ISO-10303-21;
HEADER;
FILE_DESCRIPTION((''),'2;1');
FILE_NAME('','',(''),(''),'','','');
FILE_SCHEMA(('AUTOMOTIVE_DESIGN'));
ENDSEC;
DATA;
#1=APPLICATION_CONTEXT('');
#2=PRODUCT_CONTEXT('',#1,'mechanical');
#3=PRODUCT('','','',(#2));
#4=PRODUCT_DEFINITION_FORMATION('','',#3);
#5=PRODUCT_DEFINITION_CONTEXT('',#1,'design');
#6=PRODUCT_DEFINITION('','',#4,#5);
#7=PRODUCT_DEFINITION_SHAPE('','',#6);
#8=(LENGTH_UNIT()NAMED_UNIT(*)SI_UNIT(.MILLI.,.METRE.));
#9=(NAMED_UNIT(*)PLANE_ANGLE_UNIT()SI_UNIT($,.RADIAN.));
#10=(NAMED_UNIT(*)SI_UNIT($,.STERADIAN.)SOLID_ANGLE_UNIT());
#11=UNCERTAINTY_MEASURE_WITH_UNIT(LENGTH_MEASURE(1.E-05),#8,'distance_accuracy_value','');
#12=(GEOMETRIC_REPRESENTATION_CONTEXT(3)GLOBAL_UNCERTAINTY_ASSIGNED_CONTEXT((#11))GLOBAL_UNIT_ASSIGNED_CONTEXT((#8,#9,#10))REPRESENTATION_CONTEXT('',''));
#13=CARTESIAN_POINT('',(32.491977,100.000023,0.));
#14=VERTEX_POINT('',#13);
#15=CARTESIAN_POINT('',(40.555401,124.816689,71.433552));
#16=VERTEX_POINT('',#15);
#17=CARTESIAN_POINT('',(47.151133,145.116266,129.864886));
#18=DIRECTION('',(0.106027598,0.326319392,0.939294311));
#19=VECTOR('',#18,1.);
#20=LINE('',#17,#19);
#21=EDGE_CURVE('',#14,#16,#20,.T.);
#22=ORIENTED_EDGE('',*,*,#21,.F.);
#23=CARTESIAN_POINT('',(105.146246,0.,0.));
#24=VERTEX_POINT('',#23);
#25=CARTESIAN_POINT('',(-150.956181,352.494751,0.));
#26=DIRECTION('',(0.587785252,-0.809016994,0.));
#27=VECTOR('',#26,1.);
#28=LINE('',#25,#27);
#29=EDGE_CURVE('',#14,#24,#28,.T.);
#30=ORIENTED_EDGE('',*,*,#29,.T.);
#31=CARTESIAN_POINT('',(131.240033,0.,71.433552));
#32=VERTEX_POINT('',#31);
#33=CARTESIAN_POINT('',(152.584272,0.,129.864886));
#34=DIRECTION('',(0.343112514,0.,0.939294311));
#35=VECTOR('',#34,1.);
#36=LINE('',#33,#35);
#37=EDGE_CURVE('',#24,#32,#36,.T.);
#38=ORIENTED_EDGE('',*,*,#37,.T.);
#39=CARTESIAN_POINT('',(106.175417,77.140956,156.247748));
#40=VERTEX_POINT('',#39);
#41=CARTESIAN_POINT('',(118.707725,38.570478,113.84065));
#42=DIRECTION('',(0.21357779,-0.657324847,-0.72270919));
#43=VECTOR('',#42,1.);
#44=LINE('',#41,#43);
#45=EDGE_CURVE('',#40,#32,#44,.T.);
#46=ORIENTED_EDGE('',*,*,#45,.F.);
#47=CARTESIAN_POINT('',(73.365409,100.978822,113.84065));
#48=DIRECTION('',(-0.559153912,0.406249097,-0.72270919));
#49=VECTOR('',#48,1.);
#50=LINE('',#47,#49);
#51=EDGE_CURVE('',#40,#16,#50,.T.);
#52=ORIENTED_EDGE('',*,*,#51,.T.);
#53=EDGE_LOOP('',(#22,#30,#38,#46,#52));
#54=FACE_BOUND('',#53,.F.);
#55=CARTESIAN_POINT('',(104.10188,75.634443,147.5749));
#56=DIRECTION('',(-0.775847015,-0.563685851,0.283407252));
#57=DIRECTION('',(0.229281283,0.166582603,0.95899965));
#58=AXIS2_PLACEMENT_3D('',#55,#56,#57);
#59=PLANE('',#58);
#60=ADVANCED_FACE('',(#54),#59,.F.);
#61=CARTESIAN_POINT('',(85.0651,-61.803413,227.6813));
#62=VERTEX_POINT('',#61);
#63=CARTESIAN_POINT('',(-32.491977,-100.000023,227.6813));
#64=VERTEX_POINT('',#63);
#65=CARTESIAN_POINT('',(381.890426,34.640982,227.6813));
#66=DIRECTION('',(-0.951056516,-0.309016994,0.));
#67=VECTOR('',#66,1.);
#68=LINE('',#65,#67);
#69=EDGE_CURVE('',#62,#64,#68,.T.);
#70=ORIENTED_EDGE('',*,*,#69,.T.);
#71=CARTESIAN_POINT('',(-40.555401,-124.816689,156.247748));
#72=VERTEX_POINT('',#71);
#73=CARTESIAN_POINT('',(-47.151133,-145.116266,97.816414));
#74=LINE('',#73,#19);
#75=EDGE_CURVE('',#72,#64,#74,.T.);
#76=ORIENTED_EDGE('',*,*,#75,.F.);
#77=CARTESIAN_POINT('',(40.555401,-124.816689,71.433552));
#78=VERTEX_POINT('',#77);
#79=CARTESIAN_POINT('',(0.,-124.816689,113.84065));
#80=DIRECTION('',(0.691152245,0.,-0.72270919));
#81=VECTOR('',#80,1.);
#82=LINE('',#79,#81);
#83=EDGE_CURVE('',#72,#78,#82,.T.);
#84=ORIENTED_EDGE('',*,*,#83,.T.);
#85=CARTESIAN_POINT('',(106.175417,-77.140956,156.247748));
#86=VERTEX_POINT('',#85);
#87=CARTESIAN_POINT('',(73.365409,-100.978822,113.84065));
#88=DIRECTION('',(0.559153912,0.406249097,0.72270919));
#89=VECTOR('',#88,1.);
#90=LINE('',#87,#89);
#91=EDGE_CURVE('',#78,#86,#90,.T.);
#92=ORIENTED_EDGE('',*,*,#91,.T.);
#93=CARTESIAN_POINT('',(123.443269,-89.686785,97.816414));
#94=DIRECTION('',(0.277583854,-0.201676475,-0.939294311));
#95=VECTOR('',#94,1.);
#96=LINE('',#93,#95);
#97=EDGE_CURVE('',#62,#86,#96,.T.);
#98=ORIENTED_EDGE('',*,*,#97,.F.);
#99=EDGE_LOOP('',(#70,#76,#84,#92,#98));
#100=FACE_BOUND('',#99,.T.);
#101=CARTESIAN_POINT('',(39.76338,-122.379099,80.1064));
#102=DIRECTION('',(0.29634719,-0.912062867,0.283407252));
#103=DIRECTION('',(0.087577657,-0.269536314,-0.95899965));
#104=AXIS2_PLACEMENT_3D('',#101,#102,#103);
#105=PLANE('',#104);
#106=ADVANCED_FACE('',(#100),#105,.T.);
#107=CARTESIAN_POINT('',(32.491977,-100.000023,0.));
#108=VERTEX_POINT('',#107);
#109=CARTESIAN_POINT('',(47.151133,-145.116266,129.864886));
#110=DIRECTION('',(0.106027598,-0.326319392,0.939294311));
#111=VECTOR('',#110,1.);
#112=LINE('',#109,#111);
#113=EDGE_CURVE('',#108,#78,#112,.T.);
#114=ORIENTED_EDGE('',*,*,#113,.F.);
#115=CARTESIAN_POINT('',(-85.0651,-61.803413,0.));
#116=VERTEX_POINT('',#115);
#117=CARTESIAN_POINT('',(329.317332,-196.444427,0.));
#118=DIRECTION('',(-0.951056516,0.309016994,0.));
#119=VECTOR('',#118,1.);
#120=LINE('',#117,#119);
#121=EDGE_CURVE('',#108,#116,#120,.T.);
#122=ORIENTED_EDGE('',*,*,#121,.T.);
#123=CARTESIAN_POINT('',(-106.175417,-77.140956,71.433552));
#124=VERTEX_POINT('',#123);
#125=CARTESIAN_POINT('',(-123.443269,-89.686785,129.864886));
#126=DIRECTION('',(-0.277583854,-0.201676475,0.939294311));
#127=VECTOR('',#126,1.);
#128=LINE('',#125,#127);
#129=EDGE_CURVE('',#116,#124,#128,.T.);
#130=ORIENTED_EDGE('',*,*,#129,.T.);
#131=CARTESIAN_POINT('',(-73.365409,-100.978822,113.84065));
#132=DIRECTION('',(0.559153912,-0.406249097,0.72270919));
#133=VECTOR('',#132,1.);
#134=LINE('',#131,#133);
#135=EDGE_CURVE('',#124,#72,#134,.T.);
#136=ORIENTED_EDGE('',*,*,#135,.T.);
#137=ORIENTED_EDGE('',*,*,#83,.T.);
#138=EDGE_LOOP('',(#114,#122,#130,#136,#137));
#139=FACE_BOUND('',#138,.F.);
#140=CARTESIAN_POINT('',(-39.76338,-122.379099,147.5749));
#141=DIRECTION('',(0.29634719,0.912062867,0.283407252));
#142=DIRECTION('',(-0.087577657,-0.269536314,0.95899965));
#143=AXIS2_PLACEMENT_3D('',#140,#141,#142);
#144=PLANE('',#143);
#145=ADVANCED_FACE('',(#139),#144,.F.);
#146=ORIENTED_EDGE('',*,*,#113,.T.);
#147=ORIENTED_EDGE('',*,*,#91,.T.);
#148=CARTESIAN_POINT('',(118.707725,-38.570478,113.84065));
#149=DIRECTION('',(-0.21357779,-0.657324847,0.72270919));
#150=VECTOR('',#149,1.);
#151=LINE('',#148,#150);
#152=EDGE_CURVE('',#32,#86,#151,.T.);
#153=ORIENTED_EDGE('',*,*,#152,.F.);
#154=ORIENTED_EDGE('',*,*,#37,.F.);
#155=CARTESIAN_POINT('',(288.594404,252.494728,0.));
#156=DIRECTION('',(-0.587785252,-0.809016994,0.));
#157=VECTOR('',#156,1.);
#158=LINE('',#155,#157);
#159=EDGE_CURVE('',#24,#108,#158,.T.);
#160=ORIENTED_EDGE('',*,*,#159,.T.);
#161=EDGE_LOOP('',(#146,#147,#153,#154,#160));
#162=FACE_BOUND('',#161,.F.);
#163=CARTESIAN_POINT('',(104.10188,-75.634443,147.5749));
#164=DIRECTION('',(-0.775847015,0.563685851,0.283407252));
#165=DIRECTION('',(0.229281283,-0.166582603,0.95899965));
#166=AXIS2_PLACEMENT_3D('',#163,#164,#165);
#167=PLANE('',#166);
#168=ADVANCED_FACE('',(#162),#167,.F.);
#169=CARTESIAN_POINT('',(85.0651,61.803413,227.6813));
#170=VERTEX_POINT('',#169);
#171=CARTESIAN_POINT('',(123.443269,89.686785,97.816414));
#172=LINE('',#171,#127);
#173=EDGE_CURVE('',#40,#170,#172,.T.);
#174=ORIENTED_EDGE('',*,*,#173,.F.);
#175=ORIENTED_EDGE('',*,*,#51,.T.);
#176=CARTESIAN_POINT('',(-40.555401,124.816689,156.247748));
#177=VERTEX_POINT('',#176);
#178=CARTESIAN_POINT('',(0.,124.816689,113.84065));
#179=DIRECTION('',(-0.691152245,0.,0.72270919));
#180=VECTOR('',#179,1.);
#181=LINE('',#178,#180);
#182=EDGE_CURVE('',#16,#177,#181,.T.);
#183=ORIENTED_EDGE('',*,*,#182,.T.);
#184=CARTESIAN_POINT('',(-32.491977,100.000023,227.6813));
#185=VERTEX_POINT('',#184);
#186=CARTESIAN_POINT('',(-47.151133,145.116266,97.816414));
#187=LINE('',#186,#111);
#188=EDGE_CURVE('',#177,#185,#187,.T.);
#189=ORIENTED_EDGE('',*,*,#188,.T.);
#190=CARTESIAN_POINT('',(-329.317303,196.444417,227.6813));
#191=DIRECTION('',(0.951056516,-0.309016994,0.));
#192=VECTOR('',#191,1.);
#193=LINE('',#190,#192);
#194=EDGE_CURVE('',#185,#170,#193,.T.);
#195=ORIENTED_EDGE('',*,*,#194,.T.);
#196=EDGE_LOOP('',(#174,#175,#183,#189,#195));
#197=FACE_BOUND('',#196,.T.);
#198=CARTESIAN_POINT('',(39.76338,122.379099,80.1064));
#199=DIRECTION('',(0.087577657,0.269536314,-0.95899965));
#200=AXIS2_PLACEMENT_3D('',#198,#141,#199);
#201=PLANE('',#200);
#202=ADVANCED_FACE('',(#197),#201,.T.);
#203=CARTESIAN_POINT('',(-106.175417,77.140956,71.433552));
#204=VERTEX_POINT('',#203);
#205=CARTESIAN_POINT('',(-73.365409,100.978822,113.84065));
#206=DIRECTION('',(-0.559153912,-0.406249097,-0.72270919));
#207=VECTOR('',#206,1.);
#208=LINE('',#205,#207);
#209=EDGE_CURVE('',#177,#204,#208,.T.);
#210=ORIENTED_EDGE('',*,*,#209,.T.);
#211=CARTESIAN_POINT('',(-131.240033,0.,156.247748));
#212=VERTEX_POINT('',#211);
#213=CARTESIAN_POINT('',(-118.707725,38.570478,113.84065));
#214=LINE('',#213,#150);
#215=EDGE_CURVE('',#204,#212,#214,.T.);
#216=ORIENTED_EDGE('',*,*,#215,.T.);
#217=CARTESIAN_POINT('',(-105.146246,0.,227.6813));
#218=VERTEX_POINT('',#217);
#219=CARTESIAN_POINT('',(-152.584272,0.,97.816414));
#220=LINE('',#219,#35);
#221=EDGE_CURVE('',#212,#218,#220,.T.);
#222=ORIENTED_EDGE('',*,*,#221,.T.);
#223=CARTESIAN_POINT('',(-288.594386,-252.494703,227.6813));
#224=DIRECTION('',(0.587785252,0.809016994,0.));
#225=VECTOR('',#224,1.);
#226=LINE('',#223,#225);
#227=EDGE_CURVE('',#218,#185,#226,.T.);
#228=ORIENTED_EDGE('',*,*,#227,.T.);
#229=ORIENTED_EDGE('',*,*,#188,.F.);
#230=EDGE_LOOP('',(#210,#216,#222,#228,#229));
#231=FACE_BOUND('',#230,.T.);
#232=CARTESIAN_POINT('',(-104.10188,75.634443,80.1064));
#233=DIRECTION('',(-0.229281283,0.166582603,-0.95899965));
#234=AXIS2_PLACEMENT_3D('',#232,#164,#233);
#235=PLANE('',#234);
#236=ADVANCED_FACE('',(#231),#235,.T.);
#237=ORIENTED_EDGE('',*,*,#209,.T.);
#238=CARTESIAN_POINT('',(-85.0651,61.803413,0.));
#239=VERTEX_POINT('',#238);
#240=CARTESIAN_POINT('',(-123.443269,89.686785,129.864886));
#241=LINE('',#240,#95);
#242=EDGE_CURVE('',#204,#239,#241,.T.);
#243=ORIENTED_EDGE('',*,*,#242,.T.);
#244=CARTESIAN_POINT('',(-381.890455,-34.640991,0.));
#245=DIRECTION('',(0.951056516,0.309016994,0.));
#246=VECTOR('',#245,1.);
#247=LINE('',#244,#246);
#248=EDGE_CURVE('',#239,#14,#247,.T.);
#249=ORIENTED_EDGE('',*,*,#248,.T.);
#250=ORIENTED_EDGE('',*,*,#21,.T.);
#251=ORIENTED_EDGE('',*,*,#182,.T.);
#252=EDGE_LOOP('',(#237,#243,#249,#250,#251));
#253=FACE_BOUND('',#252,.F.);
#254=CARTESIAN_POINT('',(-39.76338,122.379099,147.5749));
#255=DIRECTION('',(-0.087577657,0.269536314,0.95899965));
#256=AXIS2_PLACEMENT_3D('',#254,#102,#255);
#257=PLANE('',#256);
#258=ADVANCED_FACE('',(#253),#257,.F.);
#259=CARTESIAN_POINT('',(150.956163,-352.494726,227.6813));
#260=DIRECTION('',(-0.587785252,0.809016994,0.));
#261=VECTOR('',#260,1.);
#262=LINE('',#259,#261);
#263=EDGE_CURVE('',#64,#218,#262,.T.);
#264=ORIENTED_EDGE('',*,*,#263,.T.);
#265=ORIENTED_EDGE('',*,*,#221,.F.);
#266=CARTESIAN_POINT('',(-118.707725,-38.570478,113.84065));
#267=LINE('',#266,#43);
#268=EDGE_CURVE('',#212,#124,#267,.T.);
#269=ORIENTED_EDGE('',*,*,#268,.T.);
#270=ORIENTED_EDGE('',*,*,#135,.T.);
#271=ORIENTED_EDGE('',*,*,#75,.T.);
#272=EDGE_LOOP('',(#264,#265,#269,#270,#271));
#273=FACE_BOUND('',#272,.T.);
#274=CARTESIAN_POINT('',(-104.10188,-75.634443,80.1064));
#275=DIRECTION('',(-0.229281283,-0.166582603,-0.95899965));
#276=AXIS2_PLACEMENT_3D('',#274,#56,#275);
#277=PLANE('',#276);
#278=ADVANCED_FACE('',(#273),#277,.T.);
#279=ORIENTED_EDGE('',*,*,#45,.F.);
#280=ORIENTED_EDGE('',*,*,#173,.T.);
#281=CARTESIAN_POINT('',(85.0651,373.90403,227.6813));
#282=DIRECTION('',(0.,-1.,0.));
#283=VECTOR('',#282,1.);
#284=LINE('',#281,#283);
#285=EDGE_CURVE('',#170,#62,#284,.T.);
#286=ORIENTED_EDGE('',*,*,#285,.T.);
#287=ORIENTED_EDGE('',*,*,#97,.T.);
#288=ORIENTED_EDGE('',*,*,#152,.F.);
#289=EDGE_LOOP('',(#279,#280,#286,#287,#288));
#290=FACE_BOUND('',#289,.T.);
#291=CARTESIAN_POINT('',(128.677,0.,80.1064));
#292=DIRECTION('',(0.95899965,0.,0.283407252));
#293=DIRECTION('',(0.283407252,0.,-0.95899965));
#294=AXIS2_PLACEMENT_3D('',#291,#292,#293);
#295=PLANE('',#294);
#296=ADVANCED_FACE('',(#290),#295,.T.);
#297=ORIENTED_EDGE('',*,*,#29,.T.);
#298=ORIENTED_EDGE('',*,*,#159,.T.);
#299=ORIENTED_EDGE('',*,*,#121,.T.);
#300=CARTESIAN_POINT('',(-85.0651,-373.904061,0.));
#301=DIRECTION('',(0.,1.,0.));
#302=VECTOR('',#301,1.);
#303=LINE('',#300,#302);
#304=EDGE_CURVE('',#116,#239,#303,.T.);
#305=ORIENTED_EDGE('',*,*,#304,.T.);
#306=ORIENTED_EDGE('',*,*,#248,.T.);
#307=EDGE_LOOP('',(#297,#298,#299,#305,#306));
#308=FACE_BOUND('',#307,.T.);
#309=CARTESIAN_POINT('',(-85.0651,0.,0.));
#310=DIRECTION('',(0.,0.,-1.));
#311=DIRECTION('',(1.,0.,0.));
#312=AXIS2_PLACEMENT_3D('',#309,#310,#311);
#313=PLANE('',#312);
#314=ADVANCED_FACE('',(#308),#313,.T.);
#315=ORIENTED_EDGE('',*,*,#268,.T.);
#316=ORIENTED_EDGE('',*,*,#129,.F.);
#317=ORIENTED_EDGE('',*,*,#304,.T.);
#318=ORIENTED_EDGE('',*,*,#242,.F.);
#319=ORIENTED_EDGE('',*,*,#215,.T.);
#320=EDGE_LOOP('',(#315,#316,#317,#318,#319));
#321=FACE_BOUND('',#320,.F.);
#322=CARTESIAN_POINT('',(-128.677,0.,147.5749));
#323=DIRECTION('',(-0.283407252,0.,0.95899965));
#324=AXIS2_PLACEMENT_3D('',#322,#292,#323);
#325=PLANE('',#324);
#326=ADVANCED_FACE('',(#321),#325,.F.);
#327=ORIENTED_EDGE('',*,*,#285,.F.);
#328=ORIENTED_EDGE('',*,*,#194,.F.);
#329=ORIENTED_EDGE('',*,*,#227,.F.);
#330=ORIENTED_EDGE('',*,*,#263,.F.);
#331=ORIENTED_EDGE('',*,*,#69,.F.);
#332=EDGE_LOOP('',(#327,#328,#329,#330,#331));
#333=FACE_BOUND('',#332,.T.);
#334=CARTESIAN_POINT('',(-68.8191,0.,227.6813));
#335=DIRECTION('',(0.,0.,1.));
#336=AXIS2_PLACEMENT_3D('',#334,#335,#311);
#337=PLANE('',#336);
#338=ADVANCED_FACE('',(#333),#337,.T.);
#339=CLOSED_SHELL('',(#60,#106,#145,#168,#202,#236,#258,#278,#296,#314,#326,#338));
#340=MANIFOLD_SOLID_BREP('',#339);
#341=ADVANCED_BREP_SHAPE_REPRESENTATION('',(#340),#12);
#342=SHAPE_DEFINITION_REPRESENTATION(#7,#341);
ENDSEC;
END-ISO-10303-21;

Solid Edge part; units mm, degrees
sketch "Sketch1" plane through (0, 0, 0) normal (0, -1, 0) x (1, 0, 0)
  arc A0 (0, 513.8406) -> (0, -286.1594) centre (0, 113.8406) ccw
  line L0 (0, 513.8406) -> (0, -286.1594)
revolve "RevolvedProtrusion1" add sketch "Sketch1" angle 360 about axis through (0, 0, 513.8406) along (0, 0, -1)
sketch "Sketch2" plane through (0, 0, 0) normal (0, -1, 0) x (1, 0, 0)
  line L0 (-85.0651, 0) -> (-128.677, 147.5749)
  line L1 (-85.0651, 0) -> (68.8191, 0)
extrude "Cutout1" cut sketch "Sketch2" against normal up to next and the other way up to next material side at (-106.919, 0, 73.7733)
sketch "Sketch3" plane through (0, 0, 0) normal (0, -1, 0) x (1, 0, 0)
  line L0 (-68.8191, 227.6813) -> (85.0651, 227.6813)
  line L1 (85.0651, 227.6813) -> (128.677, 80.1064)
extrude "Cutout2" cut sketch "Sketch3" along normal up to next and the other way up to next material side at (8.123, 0, 227.7313)
pattern_circular "Pattern1" count 5 over 360 about axis through (0, 0, 0) along (0, 0, 1) of "Cutout1", "Cutout2"
